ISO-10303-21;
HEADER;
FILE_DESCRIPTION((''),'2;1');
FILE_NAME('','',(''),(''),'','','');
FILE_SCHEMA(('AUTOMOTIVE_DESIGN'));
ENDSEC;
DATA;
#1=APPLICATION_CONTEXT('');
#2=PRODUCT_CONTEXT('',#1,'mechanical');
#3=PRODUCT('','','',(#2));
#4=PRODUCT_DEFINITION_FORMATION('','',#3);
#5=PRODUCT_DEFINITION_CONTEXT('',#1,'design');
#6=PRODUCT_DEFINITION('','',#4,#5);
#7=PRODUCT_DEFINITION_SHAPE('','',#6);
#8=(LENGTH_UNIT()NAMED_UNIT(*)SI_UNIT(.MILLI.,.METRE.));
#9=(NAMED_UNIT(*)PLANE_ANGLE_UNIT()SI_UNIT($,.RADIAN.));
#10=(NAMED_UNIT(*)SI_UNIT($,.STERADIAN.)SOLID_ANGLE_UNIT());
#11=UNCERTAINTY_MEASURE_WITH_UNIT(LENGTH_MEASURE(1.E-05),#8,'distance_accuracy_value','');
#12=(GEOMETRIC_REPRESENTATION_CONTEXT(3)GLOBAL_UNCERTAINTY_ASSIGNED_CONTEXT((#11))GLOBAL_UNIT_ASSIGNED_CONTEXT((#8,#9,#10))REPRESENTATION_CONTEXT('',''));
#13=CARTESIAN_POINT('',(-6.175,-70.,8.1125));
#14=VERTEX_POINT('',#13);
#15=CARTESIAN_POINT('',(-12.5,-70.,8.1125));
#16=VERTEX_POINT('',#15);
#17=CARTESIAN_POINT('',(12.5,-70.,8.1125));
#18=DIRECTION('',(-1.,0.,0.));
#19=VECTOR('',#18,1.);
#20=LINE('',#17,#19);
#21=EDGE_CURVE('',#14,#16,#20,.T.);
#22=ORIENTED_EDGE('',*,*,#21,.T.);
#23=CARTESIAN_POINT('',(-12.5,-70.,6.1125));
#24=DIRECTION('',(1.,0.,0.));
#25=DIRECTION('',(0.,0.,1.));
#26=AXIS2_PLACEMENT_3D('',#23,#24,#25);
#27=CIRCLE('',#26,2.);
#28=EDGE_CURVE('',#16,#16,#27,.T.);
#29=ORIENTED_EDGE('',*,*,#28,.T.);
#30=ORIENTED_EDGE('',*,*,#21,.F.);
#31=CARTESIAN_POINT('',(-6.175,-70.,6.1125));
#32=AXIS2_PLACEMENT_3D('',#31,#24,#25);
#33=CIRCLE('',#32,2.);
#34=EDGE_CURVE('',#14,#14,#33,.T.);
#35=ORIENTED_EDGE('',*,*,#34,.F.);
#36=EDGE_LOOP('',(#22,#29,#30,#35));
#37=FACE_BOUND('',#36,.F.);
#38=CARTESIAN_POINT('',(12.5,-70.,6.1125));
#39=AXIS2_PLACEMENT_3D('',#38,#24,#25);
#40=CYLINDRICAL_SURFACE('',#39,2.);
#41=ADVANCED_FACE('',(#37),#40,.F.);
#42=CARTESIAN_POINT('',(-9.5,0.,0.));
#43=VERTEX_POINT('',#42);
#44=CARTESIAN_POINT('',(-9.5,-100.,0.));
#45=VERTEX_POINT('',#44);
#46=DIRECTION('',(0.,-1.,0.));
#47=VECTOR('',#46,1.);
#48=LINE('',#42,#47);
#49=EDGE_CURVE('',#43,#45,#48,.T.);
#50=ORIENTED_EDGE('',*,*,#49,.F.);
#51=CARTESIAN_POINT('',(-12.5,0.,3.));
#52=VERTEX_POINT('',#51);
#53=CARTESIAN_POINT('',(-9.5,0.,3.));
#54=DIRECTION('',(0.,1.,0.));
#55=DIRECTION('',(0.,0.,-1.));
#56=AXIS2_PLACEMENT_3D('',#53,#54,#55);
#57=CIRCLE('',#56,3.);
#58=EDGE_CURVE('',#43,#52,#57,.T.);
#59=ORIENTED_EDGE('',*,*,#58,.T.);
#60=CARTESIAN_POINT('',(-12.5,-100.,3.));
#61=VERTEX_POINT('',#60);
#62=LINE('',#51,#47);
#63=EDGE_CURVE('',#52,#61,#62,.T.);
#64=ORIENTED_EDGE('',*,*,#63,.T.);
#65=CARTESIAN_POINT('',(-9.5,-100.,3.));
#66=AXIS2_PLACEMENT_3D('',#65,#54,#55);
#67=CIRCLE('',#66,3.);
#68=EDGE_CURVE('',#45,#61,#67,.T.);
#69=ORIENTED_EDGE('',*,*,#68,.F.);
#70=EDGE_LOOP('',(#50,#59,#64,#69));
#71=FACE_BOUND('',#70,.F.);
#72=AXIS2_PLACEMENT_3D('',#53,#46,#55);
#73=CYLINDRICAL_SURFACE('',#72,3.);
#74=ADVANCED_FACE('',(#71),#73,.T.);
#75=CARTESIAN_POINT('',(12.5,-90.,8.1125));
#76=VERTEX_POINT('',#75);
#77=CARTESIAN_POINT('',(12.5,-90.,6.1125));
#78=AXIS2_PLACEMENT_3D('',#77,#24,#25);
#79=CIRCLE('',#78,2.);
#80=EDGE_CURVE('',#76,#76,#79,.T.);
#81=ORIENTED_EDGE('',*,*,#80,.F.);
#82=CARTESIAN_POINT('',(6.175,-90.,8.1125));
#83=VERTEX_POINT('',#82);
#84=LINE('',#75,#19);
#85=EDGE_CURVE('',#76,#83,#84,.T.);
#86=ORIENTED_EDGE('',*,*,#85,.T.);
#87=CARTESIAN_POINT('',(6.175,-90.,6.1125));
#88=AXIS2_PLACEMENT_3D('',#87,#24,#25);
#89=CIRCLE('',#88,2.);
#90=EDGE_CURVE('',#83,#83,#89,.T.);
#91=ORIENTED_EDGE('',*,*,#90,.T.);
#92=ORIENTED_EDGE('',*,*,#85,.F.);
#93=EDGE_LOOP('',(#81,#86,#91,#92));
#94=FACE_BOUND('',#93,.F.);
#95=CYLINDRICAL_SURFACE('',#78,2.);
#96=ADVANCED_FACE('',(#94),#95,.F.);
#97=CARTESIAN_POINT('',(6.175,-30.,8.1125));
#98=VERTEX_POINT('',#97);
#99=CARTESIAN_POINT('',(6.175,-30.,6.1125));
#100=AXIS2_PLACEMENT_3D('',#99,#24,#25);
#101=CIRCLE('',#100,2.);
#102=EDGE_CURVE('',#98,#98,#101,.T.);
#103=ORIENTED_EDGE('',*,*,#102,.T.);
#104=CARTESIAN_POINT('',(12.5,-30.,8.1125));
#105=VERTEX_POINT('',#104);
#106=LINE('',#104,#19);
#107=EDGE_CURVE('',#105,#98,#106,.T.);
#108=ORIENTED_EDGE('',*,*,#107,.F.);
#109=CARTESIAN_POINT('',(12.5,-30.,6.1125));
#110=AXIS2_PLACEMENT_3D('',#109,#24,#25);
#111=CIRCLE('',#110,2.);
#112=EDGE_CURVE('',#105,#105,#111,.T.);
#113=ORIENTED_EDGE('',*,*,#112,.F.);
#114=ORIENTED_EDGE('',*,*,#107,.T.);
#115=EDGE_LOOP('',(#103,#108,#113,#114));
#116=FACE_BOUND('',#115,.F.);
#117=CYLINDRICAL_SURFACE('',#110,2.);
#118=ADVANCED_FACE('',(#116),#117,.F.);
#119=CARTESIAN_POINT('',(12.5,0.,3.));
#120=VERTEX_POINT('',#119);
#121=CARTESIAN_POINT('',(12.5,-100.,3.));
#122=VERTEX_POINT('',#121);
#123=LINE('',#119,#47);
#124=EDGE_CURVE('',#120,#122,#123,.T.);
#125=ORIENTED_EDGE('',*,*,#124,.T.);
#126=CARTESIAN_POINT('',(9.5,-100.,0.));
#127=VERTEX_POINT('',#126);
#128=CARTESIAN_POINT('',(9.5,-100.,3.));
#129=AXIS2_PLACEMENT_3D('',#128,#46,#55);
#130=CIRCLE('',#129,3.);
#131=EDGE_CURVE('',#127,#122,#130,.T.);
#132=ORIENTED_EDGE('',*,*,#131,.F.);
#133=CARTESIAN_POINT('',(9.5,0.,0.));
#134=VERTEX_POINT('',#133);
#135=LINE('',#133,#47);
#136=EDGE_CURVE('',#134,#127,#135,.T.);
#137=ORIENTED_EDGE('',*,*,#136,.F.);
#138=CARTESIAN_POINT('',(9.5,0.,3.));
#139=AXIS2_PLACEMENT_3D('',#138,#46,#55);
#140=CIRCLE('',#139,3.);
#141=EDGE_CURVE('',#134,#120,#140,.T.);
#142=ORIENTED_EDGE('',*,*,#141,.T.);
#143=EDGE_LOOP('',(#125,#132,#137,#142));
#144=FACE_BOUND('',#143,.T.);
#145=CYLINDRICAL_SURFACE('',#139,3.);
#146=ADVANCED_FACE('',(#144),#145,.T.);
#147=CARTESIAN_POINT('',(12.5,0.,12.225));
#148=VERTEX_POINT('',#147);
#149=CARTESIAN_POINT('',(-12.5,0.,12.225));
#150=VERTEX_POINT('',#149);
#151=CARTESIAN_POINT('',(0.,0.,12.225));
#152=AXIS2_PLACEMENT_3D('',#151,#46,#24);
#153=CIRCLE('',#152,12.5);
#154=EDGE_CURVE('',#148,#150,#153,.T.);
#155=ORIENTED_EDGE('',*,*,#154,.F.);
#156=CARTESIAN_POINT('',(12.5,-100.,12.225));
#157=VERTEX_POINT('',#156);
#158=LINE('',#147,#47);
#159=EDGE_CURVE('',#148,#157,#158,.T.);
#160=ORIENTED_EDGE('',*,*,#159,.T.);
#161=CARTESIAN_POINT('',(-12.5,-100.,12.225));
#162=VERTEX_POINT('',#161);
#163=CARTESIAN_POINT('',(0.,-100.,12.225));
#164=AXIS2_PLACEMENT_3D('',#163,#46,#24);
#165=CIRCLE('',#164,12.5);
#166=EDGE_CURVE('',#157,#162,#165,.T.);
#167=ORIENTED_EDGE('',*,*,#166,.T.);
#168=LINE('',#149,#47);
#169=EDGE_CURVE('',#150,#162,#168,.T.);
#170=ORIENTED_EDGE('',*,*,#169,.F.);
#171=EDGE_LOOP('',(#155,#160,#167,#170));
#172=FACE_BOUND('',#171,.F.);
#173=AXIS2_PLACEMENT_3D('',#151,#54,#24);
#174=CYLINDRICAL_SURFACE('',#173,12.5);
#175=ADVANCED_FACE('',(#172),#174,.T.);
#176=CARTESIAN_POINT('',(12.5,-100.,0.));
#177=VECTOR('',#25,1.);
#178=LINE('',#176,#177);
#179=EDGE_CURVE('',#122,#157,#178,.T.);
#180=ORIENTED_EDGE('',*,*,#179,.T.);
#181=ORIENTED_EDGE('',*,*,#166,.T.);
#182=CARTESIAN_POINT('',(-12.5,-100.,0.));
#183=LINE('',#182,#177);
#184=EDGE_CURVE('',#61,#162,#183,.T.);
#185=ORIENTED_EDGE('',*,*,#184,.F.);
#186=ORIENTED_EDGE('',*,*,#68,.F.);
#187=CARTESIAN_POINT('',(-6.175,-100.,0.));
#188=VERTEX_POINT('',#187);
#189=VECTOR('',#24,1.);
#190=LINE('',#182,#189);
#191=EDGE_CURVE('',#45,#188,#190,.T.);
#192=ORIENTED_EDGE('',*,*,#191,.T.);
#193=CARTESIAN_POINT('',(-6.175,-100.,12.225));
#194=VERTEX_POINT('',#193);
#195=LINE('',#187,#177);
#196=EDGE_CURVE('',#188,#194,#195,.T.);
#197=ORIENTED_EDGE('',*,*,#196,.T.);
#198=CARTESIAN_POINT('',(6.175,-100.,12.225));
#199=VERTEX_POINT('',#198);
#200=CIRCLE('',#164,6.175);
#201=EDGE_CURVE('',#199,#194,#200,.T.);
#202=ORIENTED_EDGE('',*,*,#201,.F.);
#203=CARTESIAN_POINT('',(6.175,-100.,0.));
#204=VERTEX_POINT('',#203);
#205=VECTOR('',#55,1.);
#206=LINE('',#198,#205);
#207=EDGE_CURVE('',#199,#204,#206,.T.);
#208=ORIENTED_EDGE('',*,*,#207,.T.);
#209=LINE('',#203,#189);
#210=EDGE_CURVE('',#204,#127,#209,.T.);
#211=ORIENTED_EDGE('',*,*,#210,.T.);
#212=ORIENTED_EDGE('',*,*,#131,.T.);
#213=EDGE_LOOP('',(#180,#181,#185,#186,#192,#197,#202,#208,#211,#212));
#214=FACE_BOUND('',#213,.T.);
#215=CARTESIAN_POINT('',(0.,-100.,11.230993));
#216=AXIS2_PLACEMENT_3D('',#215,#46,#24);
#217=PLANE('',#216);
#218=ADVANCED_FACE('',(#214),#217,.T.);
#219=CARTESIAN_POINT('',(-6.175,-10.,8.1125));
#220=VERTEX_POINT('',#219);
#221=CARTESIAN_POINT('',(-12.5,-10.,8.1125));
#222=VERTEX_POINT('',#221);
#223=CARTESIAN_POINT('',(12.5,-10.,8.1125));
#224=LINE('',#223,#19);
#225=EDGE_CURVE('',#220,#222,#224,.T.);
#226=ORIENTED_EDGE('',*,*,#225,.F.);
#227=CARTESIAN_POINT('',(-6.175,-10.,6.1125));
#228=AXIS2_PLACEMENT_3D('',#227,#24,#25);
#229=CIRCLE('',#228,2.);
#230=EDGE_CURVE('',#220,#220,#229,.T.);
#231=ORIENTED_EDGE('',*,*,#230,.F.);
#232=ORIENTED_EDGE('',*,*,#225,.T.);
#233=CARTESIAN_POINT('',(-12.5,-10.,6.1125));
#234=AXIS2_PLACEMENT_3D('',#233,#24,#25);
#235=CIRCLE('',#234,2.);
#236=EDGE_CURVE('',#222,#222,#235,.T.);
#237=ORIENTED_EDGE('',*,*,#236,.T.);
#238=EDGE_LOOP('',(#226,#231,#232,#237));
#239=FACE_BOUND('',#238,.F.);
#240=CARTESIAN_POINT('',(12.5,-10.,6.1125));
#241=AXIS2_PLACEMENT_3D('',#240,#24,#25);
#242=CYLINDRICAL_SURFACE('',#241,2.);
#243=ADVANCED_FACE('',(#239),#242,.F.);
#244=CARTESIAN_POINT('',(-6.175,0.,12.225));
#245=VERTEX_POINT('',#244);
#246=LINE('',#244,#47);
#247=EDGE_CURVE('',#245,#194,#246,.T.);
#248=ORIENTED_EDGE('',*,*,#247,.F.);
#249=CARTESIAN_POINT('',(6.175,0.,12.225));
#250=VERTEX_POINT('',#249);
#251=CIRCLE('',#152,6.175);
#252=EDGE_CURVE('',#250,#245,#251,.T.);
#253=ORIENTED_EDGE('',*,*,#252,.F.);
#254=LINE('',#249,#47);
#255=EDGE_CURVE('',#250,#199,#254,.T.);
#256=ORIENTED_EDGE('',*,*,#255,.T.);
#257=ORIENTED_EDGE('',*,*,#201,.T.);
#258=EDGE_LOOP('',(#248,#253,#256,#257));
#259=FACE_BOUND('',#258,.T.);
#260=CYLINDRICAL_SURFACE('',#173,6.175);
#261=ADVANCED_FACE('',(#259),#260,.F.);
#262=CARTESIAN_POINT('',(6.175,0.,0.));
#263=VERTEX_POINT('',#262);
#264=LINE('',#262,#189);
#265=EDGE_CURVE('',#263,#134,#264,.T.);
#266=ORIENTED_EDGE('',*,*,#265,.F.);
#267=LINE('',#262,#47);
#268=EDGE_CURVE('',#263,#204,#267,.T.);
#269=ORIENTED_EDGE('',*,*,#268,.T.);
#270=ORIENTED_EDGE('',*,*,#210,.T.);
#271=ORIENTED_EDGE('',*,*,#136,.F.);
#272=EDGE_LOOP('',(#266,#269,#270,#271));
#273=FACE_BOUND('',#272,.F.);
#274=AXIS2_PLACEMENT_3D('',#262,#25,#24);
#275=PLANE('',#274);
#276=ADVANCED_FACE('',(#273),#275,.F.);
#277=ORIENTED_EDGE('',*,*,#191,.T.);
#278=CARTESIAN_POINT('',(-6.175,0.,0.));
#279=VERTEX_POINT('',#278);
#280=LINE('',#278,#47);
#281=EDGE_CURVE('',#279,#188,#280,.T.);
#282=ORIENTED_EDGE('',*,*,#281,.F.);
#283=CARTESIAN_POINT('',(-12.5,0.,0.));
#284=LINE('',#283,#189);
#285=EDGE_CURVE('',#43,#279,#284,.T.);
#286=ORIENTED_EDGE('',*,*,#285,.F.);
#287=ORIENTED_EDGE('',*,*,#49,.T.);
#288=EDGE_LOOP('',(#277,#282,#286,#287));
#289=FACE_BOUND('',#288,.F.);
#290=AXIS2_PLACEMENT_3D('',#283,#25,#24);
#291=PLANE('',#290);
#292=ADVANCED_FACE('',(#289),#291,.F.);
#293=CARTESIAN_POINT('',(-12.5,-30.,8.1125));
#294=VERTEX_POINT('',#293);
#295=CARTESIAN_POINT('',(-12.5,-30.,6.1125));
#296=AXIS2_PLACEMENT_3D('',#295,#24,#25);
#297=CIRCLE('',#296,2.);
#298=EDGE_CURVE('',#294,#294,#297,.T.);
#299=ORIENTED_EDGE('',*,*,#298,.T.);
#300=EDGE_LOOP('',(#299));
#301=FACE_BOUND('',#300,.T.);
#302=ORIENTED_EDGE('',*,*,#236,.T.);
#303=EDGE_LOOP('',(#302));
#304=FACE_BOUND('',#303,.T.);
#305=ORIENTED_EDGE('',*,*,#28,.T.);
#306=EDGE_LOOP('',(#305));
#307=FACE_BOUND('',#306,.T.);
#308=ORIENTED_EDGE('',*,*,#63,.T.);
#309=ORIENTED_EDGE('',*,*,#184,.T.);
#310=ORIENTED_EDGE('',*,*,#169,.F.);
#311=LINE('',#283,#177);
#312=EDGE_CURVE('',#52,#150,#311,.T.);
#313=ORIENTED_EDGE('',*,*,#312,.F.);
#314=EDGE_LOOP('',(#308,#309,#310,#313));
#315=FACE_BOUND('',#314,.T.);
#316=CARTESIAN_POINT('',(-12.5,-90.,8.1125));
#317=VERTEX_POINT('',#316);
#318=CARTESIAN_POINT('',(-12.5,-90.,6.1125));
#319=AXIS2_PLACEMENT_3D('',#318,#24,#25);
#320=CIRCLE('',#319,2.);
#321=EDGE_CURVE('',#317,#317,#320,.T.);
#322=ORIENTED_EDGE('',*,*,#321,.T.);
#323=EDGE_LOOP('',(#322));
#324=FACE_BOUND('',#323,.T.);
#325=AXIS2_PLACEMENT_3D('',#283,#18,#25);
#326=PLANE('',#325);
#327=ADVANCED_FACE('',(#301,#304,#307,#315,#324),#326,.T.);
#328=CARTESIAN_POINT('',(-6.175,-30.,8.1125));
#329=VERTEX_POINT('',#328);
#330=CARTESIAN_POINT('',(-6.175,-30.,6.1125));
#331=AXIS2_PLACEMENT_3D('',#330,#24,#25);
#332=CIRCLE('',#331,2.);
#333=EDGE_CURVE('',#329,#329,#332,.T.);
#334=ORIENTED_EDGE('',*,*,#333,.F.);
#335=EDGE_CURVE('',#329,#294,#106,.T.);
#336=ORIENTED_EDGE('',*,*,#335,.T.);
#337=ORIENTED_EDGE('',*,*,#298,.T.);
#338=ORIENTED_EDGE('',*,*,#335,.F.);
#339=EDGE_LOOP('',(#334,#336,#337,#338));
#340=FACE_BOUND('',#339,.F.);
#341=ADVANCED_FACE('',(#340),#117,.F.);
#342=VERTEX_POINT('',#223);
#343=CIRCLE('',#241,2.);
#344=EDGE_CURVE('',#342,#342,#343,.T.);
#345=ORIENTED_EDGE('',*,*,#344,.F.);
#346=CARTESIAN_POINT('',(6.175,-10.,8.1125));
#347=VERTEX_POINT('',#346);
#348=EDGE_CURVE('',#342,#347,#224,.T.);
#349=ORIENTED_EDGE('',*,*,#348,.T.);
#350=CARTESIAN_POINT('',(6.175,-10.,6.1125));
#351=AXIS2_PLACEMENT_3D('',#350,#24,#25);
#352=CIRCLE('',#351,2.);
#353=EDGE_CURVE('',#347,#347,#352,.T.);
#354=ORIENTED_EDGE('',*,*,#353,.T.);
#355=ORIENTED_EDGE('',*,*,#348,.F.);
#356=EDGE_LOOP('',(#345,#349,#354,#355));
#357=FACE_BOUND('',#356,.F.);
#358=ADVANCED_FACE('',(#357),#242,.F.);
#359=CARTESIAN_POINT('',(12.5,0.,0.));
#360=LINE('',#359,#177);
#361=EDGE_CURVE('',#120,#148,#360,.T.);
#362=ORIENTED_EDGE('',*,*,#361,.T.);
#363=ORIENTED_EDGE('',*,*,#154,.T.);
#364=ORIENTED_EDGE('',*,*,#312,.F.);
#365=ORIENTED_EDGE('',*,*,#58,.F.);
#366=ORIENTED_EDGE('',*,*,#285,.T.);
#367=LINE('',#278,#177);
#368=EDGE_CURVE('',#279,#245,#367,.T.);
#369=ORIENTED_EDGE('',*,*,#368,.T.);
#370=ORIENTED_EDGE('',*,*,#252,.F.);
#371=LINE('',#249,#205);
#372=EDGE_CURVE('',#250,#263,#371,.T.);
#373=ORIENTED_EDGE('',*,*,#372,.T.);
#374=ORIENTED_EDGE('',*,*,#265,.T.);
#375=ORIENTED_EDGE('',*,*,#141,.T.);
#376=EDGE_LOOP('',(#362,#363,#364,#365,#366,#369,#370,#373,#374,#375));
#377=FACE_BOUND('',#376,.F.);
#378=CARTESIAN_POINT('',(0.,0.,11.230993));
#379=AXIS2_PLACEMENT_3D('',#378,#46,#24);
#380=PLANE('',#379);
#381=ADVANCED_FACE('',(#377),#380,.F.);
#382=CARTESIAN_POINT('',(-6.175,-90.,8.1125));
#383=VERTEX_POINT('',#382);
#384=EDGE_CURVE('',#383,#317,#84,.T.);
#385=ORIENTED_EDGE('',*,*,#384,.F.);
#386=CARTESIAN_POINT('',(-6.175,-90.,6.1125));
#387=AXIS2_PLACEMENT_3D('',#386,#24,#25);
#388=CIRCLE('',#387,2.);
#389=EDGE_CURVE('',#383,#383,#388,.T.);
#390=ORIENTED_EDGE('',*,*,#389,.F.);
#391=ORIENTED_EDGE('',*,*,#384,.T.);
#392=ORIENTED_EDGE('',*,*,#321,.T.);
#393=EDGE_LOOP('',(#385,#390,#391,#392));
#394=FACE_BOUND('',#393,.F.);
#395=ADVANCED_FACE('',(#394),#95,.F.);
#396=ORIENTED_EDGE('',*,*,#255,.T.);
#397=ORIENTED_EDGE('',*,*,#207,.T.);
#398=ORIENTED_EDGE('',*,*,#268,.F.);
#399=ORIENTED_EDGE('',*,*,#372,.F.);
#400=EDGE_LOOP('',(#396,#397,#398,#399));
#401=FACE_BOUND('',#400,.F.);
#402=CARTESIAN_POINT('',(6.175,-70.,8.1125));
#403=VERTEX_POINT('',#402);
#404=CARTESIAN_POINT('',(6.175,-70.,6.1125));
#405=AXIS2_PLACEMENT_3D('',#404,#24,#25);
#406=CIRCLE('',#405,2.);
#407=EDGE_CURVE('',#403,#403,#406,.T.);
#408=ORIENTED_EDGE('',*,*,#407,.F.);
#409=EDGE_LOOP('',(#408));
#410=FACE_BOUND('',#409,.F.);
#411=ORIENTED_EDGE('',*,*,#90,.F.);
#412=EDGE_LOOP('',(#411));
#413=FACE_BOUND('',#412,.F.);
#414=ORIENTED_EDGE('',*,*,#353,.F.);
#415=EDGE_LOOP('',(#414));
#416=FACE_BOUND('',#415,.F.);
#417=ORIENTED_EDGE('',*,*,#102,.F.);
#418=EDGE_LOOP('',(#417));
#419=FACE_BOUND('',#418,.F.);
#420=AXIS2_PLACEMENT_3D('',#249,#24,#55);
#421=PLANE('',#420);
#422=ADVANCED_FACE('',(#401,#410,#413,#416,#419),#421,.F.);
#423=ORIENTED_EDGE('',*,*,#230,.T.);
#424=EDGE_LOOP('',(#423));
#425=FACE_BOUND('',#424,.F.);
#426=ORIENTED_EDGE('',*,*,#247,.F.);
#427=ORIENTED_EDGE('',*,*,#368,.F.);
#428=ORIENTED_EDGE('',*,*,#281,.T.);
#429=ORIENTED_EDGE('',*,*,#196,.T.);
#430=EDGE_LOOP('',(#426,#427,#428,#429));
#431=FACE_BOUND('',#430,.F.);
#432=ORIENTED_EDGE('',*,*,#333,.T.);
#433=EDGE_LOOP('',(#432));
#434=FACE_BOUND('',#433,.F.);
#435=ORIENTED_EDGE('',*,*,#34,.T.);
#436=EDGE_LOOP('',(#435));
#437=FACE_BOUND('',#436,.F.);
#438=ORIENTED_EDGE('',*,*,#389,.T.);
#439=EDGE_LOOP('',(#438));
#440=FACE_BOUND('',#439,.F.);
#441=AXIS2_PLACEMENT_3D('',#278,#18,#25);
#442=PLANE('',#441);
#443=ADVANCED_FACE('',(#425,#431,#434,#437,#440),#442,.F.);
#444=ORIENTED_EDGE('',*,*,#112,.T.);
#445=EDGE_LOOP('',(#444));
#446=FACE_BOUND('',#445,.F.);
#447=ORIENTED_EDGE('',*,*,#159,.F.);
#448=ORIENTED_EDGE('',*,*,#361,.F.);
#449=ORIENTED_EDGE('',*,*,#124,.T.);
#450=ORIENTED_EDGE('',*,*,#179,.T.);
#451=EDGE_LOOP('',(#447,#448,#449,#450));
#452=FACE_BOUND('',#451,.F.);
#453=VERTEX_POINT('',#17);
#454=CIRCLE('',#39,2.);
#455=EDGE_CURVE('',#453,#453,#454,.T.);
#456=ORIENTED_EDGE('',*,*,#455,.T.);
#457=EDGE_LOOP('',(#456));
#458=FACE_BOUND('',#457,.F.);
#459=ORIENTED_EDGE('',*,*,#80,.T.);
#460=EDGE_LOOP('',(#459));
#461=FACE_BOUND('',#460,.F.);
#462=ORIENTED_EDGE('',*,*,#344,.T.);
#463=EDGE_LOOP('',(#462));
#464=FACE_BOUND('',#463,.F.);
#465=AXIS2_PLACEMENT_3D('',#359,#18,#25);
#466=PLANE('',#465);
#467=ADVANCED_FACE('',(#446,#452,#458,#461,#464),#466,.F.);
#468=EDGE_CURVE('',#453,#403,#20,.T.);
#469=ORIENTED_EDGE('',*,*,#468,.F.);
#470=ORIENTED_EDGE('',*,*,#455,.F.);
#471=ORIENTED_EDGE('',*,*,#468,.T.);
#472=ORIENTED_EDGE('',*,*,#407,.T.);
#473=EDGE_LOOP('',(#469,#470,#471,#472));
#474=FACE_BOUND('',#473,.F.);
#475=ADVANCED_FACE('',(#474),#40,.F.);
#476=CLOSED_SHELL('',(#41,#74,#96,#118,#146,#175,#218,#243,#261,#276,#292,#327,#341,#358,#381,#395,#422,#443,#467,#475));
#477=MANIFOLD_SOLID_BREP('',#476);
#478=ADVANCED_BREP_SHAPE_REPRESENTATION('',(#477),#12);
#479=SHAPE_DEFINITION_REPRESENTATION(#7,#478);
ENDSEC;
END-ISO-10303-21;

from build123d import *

# Parameters (mm, degrees)
PAD_DEPTH    = 100
SKETCH001_R  = 2
POCKET_DEPTH = 25.001
FILLET_R     = 3


with BuildPart() as part:
    # Sketch → Pad (new body)
    with BuildSketch(Plane.XZ):
        with BuildLine():
            Line((-6.175, 0), (-6.175, 12.225))
            ThreePointArc((6.175, 12.225), (0, 18.4), (-6.175, 12.225))
            Line((6.175, 12.225), (6.175, 0))
            Line((6.175, 0), (12.5, 0))
            Line((12.5, 0), (12.5, 12.225))
            ThreePointArc((12.5, 12.225), (0, 24.725), (-12.5, 12.225))
            Line((-12.5, 0), (-12.5, 12.225))
            Line((-12.5, 0), (-6.175, 0))
        make_face()
    extrude(amount=PAD_DEPTH)

    # Sketch001 (on Face6 of Pad) → Pocket (cut, through all)
    with BuildSketch(Plane(origin=(12.5, 0, 0), x_dir=(0, 0, 1), z_dir=(1, 0, 0))):
        with Locations((6.1125, 10)):
            Circle(SKETCH001_R)
        with Locations((6.1125, 90)):
            Circle(SKETCH001_R)
        with Locations((6.1125, 70)):
            Circle(SKETCH001_R)
        with Locations((6.1125, 30)):
            Circle(SKETCH001_R)
    extrude(amount=-POCKET_DEPTH, mode=Mode.SUBTRACT)

    # Fillet
    fillet_edges = [part.edges().sort_by_distance(p)[0] for p in [
        (12.5, -50, 0),
        (-12.5, -50, 0),
    ]]
    fillet(fillet_edges, radius=FILLET_R)


solid = part.part
